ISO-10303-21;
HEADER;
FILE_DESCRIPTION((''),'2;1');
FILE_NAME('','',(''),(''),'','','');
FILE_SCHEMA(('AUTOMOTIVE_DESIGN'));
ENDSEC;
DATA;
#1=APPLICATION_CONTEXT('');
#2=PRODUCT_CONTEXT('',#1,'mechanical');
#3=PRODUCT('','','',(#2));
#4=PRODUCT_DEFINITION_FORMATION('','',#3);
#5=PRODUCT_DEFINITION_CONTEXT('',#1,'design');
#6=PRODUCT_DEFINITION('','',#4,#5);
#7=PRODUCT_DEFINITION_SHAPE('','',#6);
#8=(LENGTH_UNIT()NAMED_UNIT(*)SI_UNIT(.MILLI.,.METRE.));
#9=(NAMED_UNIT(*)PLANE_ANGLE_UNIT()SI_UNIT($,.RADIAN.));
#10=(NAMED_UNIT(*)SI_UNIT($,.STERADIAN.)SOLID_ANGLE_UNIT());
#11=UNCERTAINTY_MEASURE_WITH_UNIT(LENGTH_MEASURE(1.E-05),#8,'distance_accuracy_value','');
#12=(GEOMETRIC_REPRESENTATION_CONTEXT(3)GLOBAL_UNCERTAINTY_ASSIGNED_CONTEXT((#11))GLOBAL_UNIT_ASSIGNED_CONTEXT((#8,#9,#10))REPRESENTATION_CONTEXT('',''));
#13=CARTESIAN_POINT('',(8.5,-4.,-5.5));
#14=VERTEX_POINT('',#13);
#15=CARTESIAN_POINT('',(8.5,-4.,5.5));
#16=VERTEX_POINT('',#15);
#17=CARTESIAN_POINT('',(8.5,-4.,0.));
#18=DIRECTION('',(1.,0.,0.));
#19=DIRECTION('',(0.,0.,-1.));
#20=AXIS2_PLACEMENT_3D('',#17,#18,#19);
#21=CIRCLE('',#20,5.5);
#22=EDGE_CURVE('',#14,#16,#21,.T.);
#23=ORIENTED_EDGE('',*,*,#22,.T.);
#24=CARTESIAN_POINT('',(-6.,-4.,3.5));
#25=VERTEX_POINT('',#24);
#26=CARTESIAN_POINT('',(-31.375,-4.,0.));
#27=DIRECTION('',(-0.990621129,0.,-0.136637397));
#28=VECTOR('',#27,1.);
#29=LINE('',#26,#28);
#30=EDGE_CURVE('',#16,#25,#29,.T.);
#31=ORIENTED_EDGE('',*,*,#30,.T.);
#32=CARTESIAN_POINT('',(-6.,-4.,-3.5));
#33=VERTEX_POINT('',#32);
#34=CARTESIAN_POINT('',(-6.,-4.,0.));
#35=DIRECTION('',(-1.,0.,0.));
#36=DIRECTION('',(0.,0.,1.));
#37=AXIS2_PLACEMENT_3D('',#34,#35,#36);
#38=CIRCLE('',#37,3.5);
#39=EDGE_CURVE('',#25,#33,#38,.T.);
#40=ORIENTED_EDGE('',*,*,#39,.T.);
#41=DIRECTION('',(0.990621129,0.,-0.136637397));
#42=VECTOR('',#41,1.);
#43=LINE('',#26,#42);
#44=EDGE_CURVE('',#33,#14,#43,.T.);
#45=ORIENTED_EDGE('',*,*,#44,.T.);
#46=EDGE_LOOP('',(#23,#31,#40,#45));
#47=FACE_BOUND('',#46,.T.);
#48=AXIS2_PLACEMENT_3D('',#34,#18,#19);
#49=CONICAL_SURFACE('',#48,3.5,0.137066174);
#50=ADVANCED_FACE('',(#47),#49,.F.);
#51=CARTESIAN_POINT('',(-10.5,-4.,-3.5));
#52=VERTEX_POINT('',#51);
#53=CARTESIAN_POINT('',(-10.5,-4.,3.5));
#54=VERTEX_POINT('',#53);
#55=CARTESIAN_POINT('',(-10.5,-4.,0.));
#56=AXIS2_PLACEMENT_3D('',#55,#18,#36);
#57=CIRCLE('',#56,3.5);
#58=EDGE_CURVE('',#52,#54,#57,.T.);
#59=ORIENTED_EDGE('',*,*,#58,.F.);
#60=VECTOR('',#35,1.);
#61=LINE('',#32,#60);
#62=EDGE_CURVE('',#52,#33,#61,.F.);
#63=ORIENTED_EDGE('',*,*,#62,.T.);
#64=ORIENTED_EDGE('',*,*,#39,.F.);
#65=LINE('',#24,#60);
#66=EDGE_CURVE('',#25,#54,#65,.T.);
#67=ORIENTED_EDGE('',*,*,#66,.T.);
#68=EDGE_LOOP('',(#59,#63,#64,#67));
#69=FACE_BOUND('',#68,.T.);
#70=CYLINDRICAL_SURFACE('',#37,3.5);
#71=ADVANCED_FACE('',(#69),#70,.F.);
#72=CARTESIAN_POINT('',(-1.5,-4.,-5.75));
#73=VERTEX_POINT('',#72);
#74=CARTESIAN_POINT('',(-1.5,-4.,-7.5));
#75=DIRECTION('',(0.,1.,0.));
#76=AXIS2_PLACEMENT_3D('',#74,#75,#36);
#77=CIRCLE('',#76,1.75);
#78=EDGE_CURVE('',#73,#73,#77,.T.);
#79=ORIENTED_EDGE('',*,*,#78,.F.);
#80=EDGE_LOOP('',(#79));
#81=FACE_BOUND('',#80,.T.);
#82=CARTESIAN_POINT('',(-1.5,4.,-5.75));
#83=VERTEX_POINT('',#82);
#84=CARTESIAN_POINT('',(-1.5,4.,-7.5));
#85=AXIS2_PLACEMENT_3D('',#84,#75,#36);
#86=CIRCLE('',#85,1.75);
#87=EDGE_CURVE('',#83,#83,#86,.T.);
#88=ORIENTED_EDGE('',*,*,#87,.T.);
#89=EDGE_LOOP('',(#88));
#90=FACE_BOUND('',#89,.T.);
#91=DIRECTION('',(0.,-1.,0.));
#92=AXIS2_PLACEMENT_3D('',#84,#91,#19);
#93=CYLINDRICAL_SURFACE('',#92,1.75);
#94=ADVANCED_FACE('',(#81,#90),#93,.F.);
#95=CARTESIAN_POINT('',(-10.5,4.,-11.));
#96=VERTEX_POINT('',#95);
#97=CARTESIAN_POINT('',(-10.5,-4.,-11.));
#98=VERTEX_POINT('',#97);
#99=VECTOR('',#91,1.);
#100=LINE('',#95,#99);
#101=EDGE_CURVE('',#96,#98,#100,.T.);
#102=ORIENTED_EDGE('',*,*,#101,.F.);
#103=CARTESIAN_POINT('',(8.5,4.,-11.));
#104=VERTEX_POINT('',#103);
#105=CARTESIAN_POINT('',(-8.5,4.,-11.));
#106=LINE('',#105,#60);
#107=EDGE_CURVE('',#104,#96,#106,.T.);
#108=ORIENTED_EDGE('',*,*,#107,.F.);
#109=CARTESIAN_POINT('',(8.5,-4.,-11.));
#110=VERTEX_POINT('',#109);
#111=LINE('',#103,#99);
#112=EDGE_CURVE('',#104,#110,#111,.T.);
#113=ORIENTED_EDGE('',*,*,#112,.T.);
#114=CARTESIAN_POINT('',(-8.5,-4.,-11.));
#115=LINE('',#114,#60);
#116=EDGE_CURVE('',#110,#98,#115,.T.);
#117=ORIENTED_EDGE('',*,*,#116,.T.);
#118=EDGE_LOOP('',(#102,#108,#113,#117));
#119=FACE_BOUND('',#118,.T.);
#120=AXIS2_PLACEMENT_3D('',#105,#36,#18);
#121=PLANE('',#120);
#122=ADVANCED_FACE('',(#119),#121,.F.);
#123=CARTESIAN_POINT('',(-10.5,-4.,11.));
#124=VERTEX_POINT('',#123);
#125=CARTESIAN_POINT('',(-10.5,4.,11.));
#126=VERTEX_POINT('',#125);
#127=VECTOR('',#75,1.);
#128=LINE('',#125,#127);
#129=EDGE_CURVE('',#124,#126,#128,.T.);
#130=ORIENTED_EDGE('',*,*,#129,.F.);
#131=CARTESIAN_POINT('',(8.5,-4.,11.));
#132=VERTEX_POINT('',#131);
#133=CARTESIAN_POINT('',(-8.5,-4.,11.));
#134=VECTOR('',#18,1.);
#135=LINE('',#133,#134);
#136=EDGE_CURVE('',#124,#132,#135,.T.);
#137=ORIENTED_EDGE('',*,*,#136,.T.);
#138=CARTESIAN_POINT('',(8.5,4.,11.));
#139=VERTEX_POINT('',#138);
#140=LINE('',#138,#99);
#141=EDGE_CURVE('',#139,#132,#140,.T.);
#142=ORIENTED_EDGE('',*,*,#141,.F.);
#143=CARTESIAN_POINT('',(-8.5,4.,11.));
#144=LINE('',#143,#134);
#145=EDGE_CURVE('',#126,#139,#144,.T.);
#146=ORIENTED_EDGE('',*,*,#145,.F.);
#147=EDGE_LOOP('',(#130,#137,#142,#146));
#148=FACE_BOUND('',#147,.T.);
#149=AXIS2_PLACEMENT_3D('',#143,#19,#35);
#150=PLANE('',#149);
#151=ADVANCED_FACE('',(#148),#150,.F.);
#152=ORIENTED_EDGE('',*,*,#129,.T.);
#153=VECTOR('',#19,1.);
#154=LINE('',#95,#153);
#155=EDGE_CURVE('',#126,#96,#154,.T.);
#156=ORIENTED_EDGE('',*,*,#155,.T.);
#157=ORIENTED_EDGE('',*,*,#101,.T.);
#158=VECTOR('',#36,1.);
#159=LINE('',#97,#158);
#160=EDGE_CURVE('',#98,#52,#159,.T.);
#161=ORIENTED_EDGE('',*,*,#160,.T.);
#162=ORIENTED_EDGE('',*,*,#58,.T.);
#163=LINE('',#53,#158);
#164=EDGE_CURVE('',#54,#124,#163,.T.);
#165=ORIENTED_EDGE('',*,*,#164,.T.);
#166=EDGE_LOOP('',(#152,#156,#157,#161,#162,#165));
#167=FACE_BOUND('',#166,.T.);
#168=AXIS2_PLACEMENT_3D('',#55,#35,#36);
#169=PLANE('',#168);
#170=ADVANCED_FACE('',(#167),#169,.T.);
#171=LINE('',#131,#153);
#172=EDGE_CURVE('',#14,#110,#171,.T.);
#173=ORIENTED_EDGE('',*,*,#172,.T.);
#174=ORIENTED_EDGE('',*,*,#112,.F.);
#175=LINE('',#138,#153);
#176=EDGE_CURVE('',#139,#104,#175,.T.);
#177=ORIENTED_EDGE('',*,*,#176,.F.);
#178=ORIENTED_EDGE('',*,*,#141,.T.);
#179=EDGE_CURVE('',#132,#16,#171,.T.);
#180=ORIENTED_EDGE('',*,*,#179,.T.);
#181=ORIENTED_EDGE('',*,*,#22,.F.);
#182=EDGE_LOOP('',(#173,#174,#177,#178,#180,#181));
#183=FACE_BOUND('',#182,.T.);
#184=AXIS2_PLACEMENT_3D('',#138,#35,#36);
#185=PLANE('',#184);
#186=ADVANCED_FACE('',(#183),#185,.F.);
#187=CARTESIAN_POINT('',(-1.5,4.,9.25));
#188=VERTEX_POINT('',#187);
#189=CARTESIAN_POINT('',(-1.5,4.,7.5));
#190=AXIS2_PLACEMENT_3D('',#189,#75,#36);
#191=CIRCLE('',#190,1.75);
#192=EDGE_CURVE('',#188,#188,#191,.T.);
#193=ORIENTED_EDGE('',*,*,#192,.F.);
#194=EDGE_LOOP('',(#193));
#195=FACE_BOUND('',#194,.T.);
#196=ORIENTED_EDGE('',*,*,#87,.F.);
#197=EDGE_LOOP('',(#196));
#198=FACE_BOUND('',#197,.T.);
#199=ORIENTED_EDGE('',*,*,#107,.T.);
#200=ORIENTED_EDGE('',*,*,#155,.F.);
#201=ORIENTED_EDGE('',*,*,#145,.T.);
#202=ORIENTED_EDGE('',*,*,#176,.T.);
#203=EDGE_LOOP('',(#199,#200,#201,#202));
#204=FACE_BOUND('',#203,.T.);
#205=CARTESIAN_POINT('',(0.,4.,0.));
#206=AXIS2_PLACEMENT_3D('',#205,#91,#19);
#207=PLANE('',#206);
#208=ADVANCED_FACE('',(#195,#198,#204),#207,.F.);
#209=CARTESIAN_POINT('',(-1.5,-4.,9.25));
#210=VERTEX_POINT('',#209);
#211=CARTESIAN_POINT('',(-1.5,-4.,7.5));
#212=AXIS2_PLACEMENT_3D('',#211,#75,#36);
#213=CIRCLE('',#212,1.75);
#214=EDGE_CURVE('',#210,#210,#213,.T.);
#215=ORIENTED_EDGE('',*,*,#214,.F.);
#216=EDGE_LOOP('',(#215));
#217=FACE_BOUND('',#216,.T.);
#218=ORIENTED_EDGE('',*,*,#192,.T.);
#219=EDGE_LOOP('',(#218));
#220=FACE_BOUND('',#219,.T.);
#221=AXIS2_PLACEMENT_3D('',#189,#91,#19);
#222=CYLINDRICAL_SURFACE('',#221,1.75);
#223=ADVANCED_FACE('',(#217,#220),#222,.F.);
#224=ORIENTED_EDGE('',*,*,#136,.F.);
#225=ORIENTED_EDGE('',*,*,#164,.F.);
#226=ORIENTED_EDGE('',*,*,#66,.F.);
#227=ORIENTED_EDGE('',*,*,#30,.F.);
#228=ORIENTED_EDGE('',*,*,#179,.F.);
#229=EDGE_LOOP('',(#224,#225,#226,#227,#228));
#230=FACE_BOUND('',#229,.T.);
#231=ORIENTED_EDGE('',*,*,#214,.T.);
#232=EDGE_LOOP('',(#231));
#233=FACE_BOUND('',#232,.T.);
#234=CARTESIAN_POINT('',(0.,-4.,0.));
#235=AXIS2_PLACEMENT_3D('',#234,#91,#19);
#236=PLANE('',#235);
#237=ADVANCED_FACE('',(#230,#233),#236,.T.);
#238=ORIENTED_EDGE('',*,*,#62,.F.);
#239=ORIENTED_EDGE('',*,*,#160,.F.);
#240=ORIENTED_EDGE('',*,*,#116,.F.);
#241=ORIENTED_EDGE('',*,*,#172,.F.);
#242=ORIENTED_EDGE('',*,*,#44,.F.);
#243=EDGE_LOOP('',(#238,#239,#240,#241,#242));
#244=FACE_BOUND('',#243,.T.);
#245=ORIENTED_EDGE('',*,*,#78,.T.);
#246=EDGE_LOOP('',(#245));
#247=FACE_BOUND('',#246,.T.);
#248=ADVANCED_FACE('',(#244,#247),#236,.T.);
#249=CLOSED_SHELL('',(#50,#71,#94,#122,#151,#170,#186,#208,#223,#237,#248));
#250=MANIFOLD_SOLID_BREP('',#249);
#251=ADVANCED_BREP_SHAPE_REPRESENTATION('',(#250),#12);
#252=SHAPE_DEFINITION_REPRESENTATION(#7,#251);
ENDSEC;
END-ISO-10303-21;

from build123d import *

# Parameters (mm, degrees)
SKETCH_1_W          = 17
SKETCH_1_H          = 22
SKETCH_1_R          = 1.75
EXTRUDE_1_DEPTH     = 4
SKETCH_2_R          = 3.5
CUT_EXTRUDE_1_DEPTH = 2.5
SKETCH_4_R          = 5.5
SKETCH_3_R          = 3.5
EXTRUDE_2_DEPTH     = 2


with BuildPart() as part:
    # 草圖1 → 填料-伸長1 (new body, symmetric)
    with BuildSketch(Plane(origin=(0, 0, 0), x_dir=(1, 0, 0), z_dir=(0, 1, 0))):
        Rectangle(SKETCH_1_W, SKETCH_1_H)
        with Locations((-1.5, 7.5)):
            Circle(SKETCH_1_R, mode=Mode.SUBTRACT)
        with Locations((-1.5, -7.5)):
            Circle(SKETCH_1_R, mode=Mode.SUBTRACT)
    extrude(amount=EXTRUDE_1_DEPTH, both=True)

    # 草圖2 → 除料-伸長1 (cut)
    with BuildSketch(Plane.ZY.offset(8.5)):
        with Locations((0, -4)):
            Circle(SKETCH_2_R)
    extrude(amount=-CUT_EXTRUDE_1_DEPTH, mode=Mode.SUBTRACT)

    # 草圖4 → 除料-疊層拉伸1 section 0
    with BuildSketch(Plane(origin=(8.5, 0, 0), x_dir=(0, 0, -1), z_dir=(1, 0, 0))):
        with Locations((0, -4)):
            Circle(SKETCH_4_R)
    # 草圖3 → 除料-疊層拉伸1 section 1
    with BuildSketch(Plane.ZY.offset(6)):
        with Locations((0, -4)):
            Circle(SKETCH_3_R)
    loft(mode=Mode.SUBTRACT)

    # 草圖5 → 填料-伸長2 (add)
    with BuildSketch(Plane.ZY.offset(8.5)):
        with BuildLine():
            Line((3.5, -4), (11, -4))
            Line((11, -4), (11, 4))
            Line((11, 4), (-11, 4))
            Line((-11, 4), (-11, -4))
            Line((-11, -4), (-3.5, -4))
            ThreePointArc((-3.5, -4), (0, -0.5), (3.5, -4))
        make_face()
    extrude(amount=EXTRUDE_2_DEPTH)


solid = part.part
